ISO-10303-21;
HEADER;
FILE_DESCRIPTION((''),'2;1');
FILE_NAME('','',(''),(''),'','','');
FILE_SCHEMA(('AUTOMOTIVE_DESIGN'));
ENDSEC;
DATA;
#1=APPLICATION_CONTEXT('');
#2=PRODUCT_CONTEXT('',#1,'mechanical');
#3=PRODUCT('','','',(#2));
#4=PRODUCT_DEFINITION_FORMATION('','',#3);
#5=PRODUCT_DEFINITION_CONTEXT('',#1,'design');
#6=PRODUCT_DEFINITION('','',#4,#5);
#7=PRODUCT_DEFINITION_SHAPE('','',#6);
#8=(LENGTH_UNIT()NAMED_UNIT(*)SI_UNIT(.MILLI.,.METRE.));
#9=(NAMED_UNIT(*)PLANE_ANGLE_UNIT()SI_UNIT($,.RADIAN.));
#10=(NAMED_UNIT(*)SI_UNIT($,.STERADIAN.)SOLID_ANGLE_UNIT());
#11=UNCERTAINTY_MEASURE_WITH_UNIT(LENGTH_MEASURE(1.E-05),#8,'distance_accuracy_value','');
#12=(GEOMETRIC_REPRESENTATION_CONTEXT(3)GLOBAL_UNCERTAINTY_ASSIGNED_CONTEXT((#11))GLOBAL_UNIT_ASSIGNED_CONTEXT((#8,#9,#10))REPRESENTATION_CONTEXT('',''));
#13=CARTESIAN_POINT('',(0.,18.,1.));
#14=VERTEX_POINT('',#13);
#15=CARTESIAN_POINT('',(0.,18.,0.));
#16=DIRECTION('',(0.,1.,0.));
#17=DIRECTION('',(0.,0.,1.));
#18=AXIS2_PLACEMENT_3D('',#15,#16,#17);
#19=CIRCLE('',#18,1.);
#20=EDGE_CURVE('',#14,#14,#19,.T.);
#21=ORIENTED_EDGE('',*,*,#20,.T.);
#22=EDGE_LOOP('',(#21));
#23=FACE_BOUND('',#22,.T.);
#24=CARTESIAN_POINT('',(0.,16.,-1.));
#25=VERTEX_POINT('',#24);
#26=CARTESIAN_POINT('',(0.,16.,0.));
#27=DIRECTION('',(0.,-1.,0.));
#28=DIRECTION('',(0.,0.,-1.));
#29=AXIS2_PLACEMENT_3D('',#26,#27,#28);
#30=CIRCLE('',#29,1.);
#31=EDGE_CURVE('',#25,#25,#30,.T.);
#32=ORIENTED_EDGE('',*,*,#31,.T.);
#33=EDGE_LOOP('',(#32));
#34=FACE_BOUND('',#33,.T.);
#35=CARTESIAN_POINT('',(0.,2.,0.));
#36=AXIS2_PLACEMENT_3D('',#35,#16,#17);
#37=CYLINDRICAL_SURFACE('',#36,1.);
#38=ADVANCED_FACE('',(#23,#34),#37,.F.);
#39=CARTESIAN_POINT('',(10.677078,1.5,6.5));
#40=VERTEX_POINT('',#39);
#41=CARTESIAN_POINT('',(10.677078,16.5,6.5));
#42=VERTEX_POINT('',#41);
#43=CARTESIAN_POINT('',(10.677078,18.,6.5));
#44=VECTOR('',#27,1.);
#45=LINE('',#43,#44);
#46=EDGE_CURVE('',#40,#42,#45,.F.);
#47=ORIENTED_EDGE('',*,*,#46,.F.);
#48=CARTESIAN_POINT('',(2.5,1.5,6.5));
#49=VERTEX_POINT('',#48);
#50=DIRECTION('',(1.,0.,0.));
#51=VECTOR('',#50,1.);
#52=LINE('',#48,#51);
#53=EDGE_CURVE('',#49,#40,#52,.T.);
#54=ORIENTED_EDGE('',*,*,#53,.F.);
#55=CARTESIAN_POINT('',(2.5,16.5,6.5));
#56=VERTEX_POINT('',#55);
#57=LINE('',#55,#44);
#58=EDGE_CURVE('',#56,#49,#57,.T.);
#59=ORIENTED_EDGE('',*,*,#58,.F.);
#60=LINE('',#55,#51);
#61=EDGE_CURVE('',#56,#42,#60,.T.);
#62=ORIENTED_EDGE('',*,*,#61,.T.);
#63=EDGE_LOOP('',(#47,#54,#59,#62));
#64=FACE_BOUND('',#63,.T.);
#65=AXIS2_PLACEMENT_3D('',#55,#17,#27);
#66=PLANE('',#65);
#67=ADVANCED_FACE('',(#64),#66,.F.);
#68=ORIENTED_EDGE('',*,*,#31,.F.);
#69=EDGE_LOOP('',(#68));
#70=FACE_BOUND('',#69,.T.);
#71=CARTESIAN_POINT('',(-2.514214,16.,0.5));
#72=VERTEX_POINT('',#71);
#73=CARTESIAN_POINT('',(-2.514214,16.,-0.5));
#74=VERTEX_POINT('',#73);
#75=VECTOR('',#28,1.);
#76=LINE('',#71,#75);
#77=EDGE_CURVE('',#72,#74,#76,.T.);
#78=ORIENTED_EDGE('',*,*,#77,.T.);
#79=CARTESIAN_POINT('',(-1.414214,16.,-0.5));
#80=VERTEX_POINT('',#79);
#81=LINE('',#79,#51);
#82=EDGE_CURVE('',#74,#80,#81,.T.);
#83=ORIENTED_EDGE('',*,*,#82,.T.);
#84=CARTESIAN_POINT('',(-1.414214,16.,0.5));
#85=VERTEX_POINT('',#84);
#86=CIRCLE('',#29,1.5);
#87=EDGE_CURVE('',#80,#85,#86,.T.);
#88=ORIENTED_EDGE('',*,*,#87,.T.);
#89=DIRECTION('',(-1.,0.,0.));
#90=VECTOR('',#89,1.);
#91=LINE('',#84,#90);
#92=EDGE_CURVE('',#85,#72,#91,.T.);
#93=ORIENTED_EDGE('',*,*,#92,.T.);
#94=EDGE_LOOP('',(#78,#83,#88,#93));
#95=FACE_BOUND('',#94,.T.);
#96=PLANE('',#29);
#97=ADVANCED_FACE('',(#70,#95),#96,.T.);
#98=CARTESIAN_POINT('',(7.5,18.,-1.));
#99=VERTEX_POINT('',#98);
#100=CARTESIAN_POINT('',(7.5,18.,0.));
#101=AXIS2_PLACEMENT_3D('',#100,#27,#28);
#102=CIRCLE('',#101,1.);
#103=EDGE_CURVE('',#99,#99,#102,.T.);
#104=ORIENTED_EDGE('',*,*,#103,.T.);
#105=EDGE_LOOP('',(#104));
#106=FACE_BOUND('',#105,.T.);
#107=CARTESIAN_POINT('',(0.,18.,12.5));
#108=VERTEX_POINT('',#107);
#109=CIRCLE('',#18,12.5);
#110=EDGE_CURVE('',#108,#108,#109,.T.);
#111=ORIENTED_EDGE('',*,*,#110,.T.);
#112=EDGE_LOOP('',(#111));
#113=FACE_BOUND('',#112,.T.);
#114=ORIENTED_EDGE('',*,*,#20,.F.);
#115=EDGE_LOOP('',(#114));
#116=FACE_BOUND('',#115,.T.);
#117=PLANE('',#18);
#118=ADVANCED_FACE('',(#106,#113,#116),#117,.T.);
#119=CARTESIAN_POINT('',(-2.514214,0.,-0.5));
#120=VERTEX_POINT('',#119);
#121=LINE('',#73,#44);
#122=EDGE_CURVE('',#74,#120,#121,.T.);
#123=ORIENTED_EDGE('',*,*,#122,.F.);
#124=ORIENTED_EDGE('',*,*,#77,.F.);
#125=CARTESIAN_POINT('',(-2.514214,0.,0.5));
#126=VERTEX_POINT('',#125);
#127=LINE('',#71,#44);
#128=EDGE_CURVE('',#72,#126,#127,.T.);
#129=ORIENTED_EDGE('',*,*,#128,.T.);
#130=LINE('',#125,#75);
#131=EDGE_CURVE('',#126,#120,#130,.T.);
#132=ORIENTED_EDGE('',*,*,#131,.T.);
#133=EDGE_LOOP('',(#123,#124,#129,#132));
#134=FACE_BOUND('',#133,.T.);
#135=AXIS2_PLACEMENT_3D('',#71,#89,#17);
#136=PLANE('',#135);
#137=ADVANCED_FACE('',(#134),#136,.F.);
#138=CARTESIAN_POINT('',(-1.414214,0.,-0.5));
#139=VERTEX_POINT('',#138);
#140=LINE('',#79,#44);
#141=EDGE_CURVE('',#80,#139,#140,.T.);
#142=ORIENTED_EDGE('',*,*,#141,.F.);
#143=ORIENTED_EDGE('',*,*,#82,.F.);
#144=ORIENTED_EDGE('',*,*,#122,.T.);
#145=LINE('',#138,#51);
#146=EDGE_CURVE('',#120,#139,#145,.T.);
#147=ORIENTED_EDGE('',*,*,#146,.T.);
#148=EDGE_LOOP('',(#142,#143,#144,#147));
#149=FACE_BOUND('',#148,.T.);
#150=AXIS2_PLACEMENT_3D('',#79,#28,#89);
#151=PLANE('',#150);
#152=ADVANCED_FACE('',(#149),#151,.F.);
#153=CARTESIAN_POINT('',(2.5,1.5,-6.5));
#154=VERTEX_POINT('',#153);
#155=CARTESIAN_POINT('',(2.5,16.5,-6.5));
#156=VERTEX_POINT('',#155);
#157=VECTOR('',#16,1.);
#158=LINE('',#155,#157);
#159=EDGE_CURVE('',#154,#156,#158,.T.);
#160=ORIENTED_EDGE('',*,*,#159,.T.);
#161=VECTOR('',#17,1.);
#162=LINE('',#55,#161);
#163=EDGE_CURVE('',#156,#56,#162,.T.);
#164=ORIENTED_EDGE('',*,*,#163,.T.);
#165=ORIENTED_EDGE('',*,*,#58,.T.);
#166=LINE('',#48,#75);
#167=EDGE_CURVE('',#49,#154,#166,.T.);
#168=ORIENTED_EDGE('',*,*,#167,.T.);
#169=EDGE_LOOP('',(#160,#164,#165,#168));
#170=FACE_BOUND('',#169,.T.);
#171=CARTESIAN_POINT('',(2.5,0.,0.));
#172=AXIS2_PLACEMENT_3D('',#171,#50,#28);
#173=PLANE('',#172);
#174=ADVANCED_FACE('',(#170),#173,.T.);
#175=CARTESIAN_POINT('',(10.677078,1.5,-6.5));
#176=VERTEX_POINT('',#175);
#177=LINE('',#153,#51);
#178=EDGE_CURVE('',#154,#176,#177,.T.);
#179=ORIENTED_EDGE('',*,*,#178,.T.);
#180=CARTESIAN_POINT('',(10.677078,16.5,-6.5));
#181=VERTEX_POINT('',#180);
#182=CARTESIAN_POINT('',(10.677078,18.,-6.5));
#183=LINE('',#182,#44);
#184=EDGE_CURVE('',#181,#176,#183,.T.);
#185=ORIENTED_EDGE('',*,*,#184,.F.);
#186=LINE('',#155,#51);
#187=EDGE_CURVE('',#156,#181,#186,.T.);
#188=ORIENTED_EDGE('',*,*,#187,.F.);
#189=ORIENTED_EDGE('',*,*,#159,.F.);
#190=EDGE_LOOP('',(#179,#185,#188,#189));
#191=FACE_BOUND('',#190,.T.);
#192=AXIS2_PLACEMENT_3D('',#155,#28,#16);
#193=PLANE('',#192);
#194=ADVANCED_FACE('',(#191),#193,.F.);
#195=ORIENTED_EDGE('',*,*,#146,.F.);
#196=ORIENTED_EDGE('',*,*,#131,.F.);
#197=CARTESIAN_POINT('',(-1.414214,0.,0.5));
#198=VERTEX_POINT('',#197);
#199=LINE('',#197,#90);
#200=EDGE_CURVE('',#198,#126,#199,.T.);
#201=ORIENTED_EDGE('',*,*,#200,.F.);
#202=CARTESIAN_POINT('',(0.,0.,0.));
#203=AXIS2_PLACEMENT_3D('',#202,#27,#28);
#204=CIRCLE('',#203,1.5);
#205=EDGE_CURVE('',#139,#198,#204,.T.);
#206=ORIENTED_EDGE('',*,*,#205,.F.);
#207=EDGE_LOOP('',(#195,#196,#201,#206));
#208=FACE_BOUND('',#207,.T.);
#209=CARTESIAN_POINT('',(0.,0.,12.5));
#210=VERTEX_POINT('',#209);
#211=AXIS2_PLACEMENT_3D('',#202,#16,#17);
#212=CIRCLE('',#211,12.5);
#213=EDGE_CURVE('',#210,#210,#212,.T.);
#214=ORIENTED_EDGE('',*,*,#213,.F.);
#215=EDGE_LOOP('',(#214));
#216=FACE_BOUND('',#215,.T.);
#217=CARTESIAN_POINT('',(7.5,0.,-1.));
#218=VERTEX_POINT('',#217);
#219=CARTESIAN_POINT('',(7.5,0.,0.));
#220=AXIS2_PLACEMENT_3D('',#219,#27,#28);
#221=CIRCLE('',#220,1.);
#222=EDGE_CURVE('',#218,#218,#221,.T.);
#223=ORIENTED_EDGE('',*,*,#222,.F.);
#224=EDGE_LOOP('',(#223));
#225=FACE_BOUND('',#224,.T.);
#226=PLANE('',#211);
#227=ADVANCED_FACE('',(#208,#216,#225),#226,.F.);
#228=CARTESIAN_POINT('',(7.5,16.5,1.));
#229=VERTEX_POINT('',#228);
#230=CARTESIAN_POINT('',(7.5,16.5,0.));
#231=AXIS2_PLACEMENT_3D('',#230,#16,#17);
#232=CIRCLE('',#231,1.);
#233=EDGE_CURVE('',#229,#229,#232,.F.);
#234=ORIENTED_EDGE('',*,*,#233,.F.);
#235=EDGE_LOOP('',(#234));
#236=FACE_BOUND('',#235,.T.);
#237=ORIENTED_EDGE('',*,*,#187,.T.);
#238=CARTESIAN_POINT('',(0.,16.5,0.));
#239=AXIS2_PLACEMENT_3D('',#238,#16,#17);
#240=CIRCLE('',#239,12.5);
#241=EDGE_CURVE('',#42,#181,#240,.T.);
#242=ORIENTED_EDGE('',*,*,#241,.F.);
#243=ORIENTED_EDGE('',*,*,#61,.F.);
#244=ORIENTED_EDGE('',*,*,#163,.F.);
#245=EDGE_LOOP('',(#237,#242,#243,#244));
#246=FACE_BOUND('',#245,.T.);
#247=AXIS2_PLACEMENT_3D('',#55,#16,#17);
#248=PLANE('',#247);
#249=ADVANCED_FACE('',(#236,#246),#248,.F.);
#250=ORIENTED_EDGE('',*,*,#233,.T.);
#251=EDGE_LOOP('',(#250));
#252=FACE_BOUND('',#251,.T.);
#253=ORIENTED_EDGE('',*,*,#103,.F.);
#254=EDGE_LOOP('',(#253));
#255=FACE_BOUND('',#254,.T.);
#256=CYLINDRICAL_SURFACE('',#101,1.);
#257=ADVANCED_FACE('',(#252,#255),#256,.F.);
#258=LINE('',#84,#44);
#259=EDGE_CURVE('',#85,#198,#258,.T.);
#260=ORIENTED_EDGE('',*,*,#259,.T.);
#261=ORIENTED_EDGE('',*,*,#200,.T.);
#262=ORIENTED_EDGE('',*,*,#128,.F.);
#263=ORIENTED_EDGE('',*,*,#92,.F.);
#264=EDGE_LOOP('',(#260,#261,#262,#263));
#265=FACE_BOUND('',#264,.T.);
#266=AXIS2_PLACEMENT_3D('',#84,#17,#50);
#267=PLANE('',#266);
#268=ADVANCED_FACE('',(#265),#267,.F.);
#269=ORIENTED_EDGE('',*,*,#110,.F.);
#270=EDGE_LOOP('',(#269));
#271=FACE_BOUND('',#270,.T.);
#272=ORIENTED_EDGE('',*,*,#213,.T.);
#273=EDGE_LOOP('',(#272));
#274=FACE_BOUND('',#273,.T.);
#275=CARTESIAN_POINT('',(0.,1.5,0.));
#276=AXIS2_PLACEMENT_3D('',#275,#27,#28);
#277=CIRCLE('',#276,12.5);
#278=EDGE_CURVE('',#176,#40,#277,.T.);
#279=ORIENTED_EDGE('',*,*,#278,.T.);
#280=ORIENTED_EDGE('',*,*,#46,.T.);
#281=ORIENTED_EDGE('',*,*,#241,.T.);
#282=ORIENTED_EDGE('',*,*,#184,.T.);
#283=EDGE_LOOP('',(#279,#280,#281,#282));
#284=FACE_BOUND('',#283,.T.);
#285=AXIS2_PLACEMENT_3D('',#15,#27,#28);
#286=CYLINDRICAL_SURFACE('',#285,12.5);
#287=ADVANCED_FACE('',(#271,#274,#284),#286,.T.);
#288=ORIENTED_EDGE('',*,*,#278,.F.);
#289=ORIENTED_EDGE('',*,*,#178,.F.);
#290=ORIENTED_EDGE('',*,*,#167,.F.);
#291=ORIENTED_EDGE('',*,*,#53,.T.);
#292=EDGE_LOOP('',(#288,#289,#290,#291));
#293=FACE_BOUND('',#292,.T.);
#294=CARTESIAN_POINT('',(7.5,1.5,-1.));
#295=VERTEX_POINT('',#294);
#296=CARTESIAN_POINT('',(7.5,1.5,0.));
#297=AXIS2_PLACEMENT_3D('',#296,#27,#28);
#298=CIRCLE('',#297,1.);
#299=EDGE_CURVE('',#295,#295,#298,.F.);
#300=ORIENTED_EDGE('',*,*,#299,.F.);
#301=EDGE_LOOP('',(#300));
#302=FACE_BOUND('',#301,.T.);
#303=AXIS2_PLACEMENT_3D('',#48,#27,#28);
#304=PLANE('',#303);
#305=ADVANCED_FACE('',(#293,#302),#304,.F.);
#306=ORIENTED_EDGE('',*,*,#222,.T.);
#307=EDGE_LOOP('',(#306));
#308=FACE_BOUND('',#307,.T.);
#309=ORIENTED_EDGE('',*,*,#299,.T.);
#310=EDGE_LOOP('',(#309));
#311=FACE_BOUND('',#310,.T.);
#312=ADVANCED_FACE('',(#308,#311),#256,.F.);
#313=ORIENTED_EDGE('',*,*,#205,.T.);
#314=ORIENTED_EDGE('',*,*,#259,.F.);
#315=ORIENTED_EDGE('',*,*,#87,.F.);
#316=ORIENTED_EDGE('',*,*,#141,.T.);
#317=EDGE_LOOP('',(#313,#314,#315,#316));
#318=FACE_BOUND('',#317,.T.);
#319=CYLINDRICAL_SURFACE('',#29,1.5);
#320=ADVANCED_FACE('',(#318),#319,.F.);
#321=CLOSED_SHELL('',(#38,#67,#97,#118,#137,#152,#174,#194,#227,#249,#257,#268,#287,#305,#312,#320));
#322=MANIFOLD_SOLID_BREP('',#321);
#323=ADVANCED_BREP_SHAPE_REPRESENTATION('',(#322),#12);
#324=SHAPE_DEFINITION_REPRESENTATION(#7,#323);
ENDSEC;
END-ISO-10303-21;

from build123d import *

# Parameters (mm, degrees)
SKETCH1_R           = 12.5
BOSS_EXTRUDE1_DEPTH = 18
SKETCH3_R           = 1
CUT_EXTRUDE2_DEPTH  = 26.228951623
SKETCH6_W           = 13
SKETCH6_H           = 15
CUT_EXTRUDE3_DEPTH  = 10
CUT_EXTRUDE4_DEPTH  = 16
SKETCH7_R           = 1
CUT_EXTRUDE5_DEPTH  = 16


with BuildPart() as part:
    # Sketch1 → Boss-Extrude1 (new body)
    with BuildSketch(Plane(origin=(0, 0, 0), x_dir=(1, 0, 0), z_dir=(0, 1, 0))):
        with Locations(Location((0, 0, 0), (0, 0, 270))):
            Circle(SKETCH1_R)
    extrude(amount=BOSS_EXTRUDE1_DEPTH)

    # Sketch3 → Cut-Extrude2 (cut, through all)
    with BuildSketch(Plane.XZ):
        with Locations(Location((7.5, 0, 0), (0, 0, 270))):
            Circle(SKETCH3_R)
    extrude(amount=-CUT_EXTRUDE2_DEPTH, mode=Mode.SUBTRACT)

    # Sketch6 → Cut-Extrude3 (cut)
    with BuildSketch(Plane(origin=(12.5, 0, 0), x_dir=(0, 0, -1), z_dir=(1, 0, 0))):
        with Locations((0, 9)):
            Rectangle(SKETCH6_W, SKETCH6_H)
    extrude(amount=-CUT_EXTRUDE3_DEPTH, mode=Mode.SUBTRACT)

    # Sketch5 → Cut-Extrude4 (cut)
    with BuildSketch(Plane.XZ):
        with BuildLine():
            Line((-1.414213562, 0.5), (-2.514213562, 0.5))
            Line((-2.514213562, 0.5), (-2.514213562, -0.5))
            Line((-2.514213562, -0.5), (-1.414213562, -0.5))
            ThreePointArc((-1.414213562, -0.5), (1.5, 0), (-1.414213562, 0.5))
        make_face()
    extrude(amount=-CUT_EXTRUDE4_DEPTH, mode=Mode.SUBTRACT)

    # Sketch7 → Cut-Extrude5 (cut)
    with BuildSketch(Plane(origin=(0, 18, 0), x_dir=(1, 0, 0), z_dir=(0, 1, 0))):
        with Locations(Location((0, 0, 0), (0, 0, 270))):
            Circle(SKETCH7_R)
    extrude(amount=-CUT_EXTRUDE5_DEPTH, mode=Mode.SUBTRACT)


solid = part.part
